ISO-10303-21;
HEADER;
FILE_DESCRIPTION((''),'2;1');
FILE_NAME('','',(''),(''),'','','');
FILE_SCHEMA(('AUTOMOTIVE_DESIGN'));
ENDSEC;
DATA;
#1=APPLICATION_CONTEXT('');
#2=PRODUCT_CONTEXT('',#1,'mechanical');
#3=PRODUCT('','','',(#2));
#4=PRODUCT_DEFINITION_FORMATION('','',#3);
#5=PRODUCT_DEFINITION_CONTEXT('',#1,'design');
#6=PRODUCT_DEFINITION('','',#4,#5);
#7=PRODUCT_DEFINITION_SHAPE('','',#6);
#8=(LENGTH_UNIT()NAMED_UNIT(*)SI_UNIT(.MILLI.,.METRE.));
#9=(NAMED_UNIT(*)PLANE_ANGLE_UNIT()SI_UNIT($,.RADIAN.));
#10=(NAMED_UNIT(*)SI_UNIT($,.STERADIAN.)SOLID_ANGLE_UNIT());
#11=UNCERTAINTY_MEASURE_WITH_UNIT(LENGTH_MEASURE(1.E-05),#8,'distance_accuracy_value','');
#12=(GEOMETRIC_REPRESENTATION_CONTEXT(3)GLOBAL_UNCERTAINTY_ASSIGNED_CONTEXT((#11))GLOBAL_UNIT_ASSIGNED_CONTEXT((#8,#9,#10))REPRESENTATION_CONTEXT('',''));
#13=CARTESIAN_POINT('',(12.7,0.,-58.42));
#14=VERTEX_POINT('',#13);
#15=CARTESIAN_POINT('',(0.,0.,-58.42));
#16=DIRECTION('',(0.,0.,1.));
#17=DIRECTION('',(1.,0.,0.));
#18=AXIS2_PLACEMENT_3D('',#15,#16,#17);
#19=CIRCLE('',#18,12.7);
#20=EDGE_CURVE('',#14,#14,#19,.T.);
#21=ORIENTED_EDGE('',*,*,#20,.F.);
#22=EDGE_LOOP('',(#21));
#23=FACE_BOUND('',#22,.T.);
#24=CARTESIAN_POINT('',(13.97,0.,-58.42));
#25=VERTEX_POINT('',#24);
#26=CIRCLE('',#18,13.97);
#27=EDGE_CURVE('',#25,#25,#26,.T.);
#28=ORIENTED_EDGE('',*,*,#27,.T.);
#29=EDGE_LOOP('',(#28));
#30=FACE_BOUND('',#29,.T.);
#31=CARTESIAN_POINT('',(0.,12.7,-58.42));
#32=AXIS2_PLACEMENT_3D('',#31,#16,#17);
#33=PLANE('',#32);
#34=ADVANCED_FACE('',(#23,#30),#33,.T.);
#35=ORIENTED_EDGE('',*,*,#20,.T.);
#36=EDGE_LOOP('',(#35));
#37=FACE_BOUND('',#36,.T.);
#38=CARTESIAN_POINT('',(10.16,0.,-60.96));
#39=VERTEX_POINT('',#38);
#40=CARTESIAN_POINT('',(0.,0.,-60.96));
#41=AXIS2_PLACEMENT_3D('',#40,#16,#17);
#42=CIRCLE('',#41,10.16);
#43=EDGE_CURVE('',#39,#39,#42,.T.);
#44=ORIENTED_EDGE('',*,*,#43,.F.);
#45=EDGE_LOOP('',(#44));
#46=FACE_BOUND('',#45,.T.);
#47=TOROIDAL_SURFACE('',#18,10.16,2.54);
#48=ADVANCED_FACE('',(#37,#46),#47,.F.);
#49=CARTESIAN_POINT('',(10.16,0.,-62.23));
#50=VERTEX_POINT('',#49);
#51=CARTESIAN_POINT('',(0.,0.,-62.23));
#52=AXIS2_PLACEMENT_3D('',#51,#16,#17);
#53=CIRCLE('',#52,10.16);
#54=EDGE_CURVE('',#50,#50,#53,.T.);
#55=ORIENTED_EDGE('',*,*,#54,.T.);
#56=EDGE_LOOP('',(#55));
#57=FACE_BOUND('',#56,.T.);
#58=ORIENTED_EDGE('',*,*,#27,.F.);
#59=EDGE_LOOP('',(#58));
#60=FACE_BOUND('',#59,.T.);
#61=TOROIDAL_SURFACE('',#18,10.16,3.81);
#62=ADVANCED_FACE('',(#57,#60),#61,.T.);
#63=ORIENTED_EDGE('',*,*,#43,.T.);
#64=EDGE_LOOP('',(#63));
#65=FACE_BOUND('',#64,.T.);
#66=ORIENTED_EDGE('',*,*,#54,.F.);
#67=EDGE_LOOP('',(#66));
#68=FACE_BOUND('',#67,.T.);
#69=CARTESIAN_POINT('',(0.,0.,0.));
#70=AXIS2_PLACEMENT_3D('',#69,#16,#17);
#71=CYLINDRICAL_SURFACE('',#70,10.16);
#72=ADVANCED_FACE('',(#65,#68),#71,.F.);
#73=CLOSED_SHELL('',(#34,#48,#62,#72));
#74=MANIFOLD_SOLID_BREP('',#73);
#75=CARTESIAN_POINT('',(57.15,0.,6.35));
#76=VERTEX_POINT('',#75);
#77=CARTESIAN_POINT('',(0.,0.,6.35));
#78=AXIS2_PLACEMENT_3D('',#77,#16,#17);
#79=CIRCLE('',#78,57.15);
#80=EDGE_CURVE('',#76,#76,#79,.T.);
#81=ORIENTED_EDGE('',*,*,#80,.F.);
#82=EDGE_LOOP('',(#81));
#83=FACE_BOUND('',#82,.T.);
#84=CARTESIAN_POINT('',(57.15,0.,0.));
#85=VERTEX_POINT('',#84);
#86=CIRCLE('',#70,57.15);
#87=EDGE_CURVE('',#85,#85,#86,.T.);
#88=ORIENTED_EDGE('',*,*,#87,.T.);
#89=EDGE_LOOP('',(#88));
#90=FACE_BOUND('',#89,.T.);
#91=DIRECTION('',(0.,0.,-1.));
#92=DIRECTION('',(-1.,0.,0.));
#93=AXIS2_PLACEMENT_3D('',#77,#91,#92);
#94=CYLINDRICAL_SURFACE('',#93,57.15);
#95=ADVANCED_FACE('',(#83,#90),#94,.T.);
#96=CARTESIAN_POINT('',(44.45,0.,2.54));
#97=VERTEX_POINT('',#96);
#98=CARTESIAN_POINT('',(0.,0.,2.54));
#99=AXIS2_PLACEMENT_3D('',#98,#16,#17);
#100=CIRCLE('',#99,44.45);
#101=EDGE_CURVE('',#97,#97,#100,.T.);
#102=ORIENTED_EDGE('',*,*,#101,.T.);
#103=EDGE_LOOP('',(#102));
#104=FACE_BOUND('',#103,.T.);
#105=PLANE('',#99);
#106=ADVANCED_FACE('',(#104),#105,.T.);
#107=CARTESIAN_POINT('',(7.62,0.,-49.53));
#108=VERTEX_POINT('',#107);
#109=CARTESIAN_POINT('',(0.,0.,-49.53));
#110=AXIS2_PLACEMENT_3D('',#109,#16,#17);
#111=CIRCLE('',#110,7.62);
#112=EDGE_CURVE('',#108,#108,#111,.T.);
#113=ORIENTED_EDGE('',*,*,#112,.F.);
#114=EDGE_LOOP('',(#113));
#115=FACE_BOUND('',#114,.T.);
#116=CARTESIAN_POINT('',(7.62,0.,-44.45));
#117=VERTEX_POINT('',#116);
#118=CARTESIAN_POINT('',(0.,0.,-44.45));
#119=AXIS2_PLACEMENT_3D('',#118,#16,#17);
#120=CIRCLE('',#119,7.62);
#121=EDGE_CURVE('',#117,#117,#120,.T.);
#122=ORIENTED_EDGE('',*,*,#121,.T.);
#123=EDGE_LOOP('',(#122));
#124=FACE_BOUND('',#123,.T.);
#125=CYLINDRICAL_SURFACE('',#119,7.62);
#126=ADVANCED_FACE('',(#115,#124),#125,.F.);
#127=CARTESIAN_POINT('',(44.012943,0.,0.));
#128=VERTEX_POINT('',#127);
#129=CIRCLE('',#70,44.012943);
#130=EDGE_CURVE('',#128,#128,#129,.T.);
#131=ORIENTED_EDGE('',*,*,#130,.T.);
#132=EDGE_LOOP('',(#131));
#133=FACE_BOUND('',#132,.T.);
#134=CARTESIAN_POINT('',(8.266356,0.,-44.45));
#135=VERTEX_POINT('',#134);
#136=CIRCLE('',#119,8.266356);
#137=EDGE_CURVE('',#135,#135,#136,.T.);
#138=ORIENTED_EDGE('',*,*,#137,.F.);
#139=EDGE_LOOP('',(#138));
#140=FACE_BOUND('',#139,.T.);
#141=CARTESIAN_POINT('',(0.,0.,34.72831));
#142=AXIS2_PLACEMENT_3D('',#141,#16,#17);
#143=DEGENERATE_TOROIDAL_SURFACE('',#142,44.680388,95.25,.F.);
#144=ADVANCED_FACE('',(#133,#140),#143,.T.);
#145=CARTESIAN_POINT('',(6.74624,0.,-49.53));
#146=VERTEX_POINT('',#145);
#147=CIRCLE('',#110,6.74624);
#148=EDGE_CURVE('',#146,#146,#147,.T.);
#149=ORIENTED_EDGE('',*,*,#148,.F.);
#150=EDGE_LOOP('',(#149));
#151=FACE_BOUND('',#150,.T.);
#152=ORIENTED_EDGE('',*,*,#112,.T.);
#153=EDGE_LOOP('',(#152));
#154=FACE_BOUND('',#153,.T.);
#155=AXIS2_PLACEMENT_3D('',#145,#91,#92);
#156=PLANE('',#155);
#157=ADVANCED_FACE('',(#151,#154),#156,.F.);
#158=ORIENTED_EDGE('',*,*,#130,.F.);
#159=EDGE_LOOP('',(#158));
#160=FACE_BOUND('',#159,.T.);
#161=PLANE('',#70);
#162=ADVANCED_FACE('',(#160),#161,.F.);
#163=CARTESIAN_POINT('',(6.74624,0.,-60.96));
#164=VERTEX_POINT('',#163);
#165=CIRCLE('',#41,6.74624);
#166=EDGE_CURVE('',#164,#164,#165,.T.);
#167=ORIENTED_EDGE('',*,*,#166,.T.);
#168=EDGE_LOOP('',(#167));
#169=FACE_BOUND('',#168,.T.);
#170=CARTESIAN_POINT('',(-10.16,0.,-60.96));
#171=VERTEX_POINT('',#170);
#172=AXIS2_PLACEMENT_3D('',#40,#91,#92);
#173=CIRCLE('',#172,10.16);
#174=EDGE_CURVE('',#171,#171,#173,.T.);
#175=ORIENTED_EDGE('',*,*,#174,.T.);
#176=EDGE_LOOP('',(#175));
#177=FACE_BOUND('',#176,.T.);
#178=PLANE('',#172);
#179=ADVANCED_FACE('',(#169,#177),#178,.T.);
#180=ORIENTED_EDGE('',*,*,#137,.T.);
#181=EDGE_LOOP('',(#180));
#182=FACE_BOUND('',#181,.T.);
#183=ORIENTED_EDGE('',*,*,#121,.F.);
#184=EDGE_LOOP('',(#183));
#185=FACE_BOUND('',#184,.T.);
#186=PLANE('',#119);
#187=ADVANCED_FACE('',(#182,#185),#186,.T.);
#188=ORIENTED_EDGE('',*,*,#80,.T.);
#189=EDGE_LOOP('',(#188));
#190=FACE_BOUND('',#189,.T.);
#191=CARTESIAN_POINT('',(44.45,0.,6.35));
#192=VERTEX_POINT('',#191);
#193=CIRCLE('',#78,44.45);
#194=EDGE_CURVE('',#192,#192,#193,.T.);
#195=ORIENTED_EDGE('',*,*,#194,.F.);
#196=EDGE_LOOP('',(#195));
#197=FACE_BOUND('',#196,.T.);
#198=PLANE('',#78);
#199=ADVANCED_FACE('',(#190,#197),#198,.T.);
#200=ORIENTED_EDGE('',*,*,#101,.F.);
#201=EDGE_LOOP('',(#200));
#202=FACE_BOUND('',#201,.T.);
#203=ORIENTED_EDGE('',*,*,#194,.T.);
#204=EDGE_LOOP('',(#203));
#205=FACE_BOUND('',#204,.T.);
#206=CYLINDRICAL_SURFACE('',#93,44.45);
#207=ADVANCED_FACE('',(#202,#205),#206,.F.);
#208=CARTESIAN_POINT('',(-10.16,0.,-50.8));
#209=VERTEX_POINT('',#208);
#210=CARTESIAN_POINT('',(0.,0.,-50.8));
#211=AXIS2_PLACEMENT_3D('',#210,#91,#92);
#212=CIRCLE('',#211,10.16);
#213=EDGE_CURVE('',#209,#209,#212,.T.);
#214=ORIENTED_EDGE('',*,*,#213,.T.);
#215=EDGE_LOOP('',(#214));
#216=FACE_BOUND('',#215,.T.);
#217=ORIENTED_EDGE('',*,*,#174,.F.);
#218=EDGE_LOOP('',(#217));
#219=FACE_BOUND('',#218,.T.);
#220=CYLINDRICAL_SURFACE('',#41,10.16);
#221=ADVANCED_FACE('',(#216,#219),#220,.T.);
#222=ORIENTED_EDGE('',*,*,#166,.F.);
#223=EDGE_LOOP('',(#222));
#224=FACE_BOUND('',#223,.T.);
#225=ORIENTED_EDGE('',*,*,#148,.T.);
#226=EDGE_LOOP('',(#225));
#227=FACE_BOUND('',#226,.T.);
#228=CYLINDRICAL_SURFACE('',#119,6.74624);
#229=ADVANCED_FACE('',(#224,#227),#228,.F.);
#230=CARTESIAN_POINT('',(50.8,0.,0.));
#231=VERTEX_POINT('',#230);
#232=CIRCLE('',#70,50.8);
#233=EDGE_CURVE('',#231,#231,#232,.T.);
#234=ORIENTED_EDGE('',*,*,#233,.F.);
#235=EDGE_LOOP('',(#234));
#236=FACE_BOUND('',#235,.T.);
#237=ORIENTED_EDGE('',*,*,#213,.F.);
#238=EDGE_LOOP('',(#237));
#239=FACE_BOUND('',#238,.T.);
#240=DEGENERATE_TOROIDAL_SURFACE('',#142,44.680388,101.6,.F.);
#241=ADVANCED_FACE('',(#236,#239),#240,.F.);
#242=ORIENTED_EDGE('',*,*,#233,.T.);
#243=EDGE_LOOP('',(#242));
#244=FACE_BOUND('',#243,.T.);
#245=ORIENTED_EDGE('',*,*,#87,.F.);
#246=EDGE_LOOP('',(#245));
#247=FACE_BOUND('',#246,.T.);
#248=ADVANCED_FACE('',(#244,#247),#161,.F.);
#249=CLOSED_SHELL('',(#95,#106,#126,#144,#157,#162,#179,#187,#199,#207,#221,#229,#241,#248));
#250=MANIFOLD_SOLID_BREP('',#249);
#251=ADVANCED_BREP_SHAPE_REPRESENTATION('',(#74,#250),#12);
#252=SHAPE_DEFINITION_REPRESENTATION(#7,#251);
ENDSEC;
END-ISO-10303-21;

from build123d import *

# Parameters (mm, degrees)
LENSSHELL_T          = -6.35
SKETCH2_R            = 10.16
LENSNECK_DEPTH       = 10.16
BULBHOLE_D           = 13.49248
BULBHOLE_CBORE_D     = 15.24
BULBHOLE_CBORE_DEPTH = 5.08
SKETCH20_R           = 57.15
SKETCH20_R_2         = 44.45
LENSCOVER_DEPTH      = 6.35
SKETCH22_R           = 44.45
LENSSHIELD_DEPTH     = 2.54


with BuildPart() as part:
    # Sketch1 → BaseRevolve (revolve)
    with BuildSketch(Plane(origin=(0, 0, 0), x_dir=(0, 0, -1), z_dir=(1, 0, 0)), mode=Mode.PRIVATE) as baserevolve_sk:
        with BuildLine():
            Line((0, 0), (0, 50.8))
            ThreePointArc((0, 50.8), (28.740706548, 34.655883185), (50.8, 10.16))
            Line((50.8, 10.16), (50.8, 0))
            Line((50.8, 0), (0, 0))
        make_face()
    revolve(baserevolve_sk.sketch.rotate(Axis((0, 0, 43.730744337), (0, 0, -1)), 90), axis=Axis((0, 0, 43.730744337), (0, 0, -1)))

    # LensShell
    lensshell_openings = [part.faces().sort_by_distance(p)[0] for p in [
        (0, 0, 0),
    ]]
    offset(amount=LENSSHELL_T, openings=lensshell_openings, kind=Kind.INTERSECTION)

    # Sketch2 → LensNeck (add)
    with BuildSketch(Plane(origin=(0, 0, -50.8), x_dir=(-1, 0, 0), z_dir=(0, 0, -1))):
        Circle(SKETCH2_R)
    extrude(amount=LENSNECK_DEPTH)

    # BulbHole (through all)
    with Locations(Plane.XY.offset(-44.45)):
        with Locations((0, 0)):
            CounterBoreHole(BULBHOLE_D / 2, BULBHOLE_CBORE_D / 2, BULBHOLE_CBORE_DEPTH)

    # Sketch19 → LensConnector (revolve)
    with BuildSketch(Plane(origin=(0, 0, 0), x_dir=(0, 0, -1), z_dir=(1, 0, 0)), mode=Mode.PRIVATE) as lensconnector_sk:
        with BuildLine():
            ThreePointArc((60.96, 10.16), (60.216051224, 11.956051224), (58.42, 12.7))
            Line((58.42, 12.7), (58.42, 13.97))
            ThreePointArc((58.42, 13.97), (61.114076836, 12.854076836), (62.23, 10.16))
            Line((62.23, 10.16), (60.96, 10.16))
        make_face()
    revolve(lensconnector_sk.sketch.rotate(Axis((0, 0, 0), (0, 0, -1)), 90), axis=Axis((0, 0, 0), (0, 0, -1)))

    # Sketch20 → LensCover (add)
    with BuildSketch(Plane.XY):
        Circle(SKETCH20_R)
        Circle(SKETCH20_R_2, mode=Mode.SUBTRACT)
    extrude(amount=LENSCOVER_DEPTH)

    # Sketch22 → LensShield (add)
    with BuildSketch(Plane.XY):
        Circle(SKETCH22_R)
    extrude(amount=LENSSHIELD_DEPTH)


solid = part.part
